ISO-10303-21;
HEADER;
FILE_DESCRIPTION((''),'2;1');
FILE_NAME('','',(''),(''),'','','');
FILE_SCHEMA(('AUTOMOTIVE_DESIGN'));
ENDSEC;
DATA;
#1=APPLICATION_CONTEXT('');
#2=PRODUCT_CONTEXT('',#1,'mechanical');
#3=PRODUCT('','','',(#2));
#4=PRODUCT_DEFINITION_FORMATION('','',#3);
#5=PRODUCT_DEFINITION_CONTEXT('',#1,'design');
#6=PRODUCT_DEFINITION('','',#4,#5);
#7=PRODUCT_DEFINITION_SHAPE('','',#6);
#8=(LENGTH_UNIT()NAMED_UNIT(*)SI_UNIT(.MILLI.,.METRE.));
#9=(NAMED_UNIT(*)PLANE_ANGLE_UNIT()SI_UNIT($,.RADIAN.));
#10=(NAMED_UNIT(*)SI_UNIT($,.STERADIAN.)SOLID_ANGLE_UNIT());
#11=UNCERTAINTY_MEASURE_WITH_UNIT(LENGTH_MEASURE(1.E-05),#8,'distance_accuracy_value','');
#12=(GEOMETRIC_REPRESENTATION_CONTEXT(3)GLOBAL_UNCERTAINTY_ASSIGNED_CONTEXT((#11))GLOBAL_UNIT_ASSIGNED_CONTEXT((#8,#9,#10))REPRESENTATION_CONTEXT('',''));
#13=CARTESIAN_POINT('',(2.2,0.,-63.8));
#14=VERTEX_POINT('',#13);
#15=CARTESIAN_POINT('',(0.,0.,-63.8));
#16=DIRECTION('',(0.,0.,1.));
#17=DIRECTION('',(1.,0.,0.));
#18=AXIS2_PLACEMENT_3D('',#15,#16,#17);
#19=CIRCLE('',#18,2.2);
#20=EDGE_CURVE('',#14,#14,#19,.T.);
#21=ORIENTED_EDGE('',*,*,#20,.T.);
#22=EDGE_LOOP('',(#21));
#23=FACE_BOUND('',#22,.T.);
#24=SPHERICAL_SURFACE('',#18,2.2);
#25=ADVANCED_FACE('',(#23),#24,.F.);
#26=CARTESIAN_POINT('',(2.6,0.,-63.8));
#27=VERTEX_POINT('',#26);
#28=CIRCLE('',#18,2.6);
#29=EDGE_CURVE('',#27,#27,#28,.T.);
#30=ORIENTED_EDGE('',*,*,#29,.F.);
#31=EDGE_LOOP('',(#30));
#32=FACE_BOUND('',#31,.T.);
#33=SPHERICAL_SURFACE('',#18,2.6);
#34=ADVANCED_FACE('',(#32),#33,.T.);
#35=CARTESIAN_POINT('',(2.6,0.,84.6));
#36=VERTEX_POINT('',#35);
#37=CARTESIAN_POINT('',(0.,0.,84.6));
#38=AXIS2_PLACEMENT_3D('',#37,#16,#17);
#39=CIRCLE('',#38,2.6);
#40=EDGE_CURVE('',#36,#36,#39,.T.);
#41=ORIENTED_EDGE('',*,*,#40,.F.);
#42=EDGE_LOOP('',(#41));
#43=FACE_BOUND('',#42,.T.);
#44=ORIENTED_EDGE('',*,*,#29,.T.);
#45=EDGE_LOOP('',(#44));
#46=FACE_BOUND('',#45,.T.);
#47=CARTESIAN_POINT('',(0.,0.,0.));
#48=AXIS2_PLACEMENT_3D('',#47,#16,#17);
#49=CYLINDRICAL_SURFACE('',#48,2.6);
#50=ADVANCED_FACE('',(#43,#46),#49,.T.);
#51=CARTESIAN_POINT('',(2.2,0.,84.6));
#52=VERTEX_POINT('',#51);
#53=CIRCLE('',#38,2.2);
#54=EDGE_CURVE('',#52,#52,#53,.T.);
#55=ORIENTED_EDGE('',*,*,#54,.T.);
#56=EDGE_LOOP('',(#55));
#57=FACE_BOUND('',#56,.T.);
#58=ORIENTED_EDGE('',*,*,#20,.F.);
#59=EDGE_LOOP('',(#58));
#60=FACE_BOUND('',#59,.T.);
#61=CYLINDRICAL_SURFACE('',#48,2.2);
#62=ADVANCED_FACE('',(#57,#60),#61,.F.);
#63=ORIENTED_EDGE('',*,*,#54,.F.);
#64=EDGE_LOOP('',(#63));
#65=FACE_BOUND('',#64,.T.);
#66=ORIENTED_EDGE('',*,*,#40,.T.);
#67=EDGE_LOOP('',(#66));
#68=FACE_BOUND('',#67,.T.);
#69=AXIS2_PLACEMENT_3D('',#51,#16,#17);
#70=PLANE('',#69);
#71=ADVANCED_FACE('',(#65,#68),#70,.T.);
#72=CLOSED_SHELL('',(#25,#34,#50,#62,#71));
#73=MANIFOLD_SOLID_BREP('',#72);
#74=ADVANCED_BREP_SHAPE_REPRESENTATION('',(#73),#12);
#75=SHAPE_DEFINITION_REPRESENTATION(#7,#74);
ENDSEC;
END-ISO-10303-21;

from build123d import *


with BuildPart() as part:
    # Sketch2 → Revolve1 (revolve)
    with BuildSketch(Plane(origin=(0, 0, 0), x_dir=(1, 0, 0), z_dir=(0, 1, 0))):
        with BuildLine():
            Line((2.2, -84.6), (2.2, 63.8))
            ThreePointArc((2.2, 63.8), (1.555634919, 65.355634919), (0, 66))
            Line((0, 66), (0, 66.4))
            ThreePointArc((0, 66.4), (1.838477631, 65.638477631), (2.6, 63.8))
            Line((2.6, 63.8), (2.6, -84.6))
            Line((2.6, -84.6), (2.2, -84.6))
        make_face()
    revolve(axis=Axis((0, 0, 0), (0, 0, -1)))


solid = part.part
